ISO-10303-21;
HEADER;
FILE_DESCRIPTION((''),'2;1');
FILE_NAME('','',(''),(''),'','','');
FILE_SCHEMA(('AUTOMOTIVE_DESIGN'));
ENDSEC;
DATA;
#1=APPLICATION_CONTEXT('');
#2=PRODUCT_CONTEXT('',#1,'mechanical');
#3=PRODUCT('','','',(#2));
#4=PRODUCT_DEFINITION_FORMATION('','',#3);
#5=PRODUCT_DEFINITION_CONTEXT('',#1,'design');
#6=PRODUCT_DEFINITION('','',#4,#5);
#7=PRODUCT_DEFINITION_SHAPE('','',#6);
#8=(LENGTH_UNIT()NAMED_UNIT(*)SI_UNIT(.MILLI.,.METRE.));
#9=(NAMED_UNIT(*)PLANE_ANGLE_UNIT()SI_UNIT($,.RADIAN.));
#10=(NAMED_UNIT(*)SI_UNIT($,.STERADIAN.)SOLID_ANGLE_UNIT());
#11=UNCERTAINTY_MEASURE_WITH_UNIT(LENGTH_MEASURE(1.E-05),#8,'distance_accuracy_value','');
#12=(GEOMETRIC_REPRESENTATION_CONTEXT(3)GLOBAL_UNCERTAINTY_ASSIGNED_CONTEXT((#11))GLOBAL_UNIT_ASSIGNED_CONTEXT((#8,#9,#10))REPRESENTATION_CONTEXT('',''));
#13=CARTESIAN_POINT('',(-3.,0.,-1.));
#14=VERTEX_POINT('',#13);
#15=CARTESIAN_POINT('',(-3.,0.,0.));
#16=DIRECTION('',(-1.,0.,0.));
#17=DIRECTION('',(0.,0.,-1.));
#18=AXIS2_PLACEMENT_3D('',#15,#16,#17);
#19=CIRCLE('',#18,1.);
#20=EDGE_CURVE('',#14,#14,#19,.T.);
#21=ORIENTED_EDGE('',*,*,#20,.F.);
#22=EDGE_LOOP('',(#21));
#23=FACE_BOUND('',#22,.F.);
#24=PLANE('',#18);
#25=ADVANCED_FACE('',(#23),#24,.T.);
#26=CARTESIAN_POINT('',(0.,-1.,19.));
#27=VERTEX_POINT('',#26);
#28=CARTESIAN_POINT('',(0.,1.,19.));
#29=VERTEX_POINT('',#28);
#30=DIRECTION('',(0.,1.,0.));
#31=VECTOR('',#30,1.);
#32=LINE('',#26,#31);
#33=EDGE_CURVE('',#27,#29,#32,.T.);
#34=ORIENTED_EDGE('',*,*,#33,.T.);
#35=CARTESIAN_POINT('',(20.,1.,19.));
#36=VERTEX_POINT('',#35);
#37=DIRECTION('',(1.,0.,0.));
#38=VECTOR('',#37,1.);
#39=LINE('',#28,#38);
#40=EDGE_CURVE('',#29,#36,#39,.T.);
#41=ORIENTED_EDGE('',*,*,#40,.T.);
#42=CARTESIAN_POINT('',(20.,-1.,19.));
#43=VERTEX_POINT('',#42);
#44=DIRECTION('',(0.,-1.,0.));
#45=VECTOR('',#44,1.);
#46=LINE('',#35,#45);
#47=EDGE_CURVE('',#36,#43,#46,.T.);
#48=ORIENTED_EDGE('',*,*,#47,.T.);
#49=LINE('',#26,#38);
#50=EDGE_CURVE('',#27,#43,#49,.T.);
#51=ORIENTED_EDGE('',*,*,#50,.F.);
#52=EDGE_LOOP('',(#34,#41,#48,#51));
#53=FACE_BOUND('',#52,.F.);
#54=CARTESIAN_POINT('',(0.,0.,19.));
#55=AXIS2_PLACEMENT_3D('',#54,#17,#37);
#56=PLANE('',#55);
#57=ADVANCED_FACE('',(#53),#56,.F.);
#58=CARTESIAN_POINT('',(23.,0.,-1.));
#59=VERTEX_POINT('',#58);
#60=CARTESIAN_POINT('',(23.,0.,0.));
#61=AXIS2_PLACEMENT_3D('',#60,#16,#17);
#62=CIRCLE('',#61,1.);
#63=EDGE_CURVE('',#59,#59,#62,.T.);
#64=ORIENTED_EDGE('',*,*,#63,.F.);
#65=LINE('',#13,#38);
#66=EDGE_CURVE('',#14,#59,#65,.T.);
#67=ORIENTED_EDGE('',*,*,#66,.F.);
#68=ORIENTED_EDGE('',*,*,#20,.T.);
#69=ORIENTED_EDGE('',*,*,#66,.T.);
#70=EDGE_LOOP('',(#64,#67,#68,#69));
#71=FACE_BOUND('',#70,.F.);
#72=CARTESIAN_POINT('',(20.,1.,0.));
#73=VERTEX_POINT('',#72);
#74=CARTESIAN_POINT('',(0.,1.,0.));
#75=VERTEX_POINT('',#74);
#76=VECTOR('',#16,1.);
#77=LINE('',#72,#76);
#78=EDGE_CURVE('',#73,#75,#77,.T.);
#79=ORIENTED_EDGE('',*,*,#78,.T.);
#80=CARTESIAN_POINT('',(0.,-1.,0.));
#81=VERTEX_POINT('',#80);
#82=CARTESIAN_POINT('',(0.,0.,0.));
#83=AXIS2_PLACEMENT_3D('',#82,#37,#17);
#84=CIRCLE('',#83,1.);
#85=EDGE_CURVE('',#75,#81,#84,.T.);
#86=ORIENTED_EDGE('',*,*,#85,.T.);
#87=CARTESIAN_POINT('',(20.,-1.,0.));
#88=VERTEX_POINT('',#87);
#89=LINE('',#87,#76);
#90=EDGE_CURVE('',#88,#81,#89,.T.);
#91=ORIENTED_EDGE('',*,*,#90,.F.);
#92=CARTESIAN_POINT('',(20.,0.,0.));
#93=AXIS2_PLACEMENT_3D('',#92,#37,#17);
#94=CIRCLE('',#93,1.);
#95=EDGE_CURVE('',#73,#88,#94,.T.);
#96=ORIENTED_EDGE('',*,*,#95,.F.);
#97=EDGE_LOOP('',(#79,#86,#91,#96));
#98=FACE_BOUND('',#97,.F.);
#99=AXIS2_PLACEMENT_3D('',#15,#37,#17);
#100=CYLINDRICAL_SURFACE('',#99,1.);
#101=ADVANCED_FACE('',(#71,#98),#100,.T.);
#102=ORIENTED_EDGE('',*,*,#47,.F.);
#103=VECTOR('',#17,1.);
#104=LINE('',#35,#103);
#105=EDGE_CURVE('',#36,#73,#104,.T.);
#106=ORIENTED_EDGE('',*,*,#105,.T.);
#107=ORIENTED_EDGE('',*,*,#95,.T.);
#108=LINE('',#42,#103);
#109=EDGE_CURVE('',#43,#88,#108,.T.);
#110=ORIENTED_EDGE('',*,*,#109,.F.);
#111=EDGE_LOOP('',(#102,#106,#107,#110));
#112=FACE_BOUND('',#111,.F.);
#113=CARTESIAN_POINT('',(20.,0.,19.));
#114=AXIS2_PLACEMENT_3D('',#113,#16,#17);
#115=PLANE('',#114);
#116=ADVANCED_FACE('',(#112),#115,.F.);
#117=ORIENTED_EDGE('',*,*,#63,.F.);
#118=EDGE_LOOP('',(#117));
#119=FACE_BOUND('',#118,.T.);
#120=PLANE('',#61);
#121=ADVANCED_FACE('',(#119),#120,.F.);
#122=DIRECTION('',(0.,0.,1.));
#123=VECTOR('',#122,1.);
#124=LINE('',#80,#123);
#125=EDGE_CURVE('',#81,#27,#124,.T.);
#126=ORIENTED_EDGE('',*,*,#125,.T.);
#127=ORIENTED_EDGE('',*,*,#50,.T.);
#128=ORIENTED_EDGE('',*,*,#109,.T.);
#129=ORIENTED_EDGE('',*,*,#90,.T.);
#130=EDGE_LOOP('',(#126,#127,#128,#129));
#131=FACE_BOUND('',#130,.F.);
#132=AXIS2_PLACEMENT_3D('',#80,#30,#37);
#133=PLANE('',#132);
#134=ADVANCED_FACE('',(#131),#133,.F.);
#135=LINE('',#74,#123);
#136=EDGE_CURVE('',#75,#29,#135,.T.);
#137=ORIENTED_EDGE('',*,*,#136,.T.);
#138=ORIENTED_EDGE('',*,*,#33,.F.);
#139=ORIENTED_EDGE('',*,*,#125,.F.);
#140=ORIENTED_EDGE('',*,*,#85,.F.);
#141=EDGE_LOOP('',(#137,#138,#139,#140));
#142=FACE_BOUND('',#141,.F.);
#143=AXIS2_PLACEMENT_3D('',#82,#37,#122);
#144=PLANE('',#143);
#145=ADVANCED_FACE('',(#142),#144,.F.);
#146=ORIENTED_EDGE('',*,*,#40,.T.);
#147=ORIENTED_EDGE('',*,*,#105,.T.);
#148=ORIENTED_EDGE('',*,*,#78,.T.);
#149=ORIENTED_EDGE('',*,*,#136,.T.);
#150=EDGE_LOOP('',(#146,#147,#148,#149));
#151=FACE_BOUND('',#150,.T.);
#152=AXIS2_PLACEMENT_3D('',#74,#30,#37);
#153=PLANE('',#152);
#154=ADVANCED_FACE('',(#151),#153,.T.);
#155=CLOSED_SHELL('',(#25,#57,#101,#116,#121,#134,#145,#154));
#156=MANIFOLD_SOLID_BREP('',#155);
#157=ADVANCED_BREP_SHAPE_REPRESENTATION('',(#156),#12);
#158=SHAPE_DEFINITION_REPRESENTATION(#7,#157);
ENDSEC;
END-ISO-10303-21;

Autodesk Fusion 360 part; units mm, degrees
sketch "Sketch1" plane through (0, 0, 0) normal (0, 1, 0) x (1, 0, 0)
  line L0 (0, 0) -> (0, -19)
  line L1 (0, -19) -> (20, -19)
  line L2 (20, -19) -> (20, 0)
  line L3 (20, 0) -> (0, 0)
  line L4 (0, 0) -> (-3, 0)
  line L5 (-3, 0) -> (-3, 1)
  line L6 (-3, 1) -> (23, 1)
  line L7 (20, 0) -> (23, 0)
  line L8 (23, 0) -> (23, 1)
  dimension "d1" = 19
  dimension "d2" = 20
  dimension "d7" = 3
  dimension "d8" = 3
  dimension "d9" = 1
revolve "Revolve1" add sketch "Sketch1" angle 360 about axis through (20, 0, 0) along (-1, 0, 0) contours L3 L4 L5 L6 L7 L8
extrude "Extrude1" add sketch "Sketch1" along normal mid plane 2 contours L0 L1 L2 L3
equation "d8 = d7"
